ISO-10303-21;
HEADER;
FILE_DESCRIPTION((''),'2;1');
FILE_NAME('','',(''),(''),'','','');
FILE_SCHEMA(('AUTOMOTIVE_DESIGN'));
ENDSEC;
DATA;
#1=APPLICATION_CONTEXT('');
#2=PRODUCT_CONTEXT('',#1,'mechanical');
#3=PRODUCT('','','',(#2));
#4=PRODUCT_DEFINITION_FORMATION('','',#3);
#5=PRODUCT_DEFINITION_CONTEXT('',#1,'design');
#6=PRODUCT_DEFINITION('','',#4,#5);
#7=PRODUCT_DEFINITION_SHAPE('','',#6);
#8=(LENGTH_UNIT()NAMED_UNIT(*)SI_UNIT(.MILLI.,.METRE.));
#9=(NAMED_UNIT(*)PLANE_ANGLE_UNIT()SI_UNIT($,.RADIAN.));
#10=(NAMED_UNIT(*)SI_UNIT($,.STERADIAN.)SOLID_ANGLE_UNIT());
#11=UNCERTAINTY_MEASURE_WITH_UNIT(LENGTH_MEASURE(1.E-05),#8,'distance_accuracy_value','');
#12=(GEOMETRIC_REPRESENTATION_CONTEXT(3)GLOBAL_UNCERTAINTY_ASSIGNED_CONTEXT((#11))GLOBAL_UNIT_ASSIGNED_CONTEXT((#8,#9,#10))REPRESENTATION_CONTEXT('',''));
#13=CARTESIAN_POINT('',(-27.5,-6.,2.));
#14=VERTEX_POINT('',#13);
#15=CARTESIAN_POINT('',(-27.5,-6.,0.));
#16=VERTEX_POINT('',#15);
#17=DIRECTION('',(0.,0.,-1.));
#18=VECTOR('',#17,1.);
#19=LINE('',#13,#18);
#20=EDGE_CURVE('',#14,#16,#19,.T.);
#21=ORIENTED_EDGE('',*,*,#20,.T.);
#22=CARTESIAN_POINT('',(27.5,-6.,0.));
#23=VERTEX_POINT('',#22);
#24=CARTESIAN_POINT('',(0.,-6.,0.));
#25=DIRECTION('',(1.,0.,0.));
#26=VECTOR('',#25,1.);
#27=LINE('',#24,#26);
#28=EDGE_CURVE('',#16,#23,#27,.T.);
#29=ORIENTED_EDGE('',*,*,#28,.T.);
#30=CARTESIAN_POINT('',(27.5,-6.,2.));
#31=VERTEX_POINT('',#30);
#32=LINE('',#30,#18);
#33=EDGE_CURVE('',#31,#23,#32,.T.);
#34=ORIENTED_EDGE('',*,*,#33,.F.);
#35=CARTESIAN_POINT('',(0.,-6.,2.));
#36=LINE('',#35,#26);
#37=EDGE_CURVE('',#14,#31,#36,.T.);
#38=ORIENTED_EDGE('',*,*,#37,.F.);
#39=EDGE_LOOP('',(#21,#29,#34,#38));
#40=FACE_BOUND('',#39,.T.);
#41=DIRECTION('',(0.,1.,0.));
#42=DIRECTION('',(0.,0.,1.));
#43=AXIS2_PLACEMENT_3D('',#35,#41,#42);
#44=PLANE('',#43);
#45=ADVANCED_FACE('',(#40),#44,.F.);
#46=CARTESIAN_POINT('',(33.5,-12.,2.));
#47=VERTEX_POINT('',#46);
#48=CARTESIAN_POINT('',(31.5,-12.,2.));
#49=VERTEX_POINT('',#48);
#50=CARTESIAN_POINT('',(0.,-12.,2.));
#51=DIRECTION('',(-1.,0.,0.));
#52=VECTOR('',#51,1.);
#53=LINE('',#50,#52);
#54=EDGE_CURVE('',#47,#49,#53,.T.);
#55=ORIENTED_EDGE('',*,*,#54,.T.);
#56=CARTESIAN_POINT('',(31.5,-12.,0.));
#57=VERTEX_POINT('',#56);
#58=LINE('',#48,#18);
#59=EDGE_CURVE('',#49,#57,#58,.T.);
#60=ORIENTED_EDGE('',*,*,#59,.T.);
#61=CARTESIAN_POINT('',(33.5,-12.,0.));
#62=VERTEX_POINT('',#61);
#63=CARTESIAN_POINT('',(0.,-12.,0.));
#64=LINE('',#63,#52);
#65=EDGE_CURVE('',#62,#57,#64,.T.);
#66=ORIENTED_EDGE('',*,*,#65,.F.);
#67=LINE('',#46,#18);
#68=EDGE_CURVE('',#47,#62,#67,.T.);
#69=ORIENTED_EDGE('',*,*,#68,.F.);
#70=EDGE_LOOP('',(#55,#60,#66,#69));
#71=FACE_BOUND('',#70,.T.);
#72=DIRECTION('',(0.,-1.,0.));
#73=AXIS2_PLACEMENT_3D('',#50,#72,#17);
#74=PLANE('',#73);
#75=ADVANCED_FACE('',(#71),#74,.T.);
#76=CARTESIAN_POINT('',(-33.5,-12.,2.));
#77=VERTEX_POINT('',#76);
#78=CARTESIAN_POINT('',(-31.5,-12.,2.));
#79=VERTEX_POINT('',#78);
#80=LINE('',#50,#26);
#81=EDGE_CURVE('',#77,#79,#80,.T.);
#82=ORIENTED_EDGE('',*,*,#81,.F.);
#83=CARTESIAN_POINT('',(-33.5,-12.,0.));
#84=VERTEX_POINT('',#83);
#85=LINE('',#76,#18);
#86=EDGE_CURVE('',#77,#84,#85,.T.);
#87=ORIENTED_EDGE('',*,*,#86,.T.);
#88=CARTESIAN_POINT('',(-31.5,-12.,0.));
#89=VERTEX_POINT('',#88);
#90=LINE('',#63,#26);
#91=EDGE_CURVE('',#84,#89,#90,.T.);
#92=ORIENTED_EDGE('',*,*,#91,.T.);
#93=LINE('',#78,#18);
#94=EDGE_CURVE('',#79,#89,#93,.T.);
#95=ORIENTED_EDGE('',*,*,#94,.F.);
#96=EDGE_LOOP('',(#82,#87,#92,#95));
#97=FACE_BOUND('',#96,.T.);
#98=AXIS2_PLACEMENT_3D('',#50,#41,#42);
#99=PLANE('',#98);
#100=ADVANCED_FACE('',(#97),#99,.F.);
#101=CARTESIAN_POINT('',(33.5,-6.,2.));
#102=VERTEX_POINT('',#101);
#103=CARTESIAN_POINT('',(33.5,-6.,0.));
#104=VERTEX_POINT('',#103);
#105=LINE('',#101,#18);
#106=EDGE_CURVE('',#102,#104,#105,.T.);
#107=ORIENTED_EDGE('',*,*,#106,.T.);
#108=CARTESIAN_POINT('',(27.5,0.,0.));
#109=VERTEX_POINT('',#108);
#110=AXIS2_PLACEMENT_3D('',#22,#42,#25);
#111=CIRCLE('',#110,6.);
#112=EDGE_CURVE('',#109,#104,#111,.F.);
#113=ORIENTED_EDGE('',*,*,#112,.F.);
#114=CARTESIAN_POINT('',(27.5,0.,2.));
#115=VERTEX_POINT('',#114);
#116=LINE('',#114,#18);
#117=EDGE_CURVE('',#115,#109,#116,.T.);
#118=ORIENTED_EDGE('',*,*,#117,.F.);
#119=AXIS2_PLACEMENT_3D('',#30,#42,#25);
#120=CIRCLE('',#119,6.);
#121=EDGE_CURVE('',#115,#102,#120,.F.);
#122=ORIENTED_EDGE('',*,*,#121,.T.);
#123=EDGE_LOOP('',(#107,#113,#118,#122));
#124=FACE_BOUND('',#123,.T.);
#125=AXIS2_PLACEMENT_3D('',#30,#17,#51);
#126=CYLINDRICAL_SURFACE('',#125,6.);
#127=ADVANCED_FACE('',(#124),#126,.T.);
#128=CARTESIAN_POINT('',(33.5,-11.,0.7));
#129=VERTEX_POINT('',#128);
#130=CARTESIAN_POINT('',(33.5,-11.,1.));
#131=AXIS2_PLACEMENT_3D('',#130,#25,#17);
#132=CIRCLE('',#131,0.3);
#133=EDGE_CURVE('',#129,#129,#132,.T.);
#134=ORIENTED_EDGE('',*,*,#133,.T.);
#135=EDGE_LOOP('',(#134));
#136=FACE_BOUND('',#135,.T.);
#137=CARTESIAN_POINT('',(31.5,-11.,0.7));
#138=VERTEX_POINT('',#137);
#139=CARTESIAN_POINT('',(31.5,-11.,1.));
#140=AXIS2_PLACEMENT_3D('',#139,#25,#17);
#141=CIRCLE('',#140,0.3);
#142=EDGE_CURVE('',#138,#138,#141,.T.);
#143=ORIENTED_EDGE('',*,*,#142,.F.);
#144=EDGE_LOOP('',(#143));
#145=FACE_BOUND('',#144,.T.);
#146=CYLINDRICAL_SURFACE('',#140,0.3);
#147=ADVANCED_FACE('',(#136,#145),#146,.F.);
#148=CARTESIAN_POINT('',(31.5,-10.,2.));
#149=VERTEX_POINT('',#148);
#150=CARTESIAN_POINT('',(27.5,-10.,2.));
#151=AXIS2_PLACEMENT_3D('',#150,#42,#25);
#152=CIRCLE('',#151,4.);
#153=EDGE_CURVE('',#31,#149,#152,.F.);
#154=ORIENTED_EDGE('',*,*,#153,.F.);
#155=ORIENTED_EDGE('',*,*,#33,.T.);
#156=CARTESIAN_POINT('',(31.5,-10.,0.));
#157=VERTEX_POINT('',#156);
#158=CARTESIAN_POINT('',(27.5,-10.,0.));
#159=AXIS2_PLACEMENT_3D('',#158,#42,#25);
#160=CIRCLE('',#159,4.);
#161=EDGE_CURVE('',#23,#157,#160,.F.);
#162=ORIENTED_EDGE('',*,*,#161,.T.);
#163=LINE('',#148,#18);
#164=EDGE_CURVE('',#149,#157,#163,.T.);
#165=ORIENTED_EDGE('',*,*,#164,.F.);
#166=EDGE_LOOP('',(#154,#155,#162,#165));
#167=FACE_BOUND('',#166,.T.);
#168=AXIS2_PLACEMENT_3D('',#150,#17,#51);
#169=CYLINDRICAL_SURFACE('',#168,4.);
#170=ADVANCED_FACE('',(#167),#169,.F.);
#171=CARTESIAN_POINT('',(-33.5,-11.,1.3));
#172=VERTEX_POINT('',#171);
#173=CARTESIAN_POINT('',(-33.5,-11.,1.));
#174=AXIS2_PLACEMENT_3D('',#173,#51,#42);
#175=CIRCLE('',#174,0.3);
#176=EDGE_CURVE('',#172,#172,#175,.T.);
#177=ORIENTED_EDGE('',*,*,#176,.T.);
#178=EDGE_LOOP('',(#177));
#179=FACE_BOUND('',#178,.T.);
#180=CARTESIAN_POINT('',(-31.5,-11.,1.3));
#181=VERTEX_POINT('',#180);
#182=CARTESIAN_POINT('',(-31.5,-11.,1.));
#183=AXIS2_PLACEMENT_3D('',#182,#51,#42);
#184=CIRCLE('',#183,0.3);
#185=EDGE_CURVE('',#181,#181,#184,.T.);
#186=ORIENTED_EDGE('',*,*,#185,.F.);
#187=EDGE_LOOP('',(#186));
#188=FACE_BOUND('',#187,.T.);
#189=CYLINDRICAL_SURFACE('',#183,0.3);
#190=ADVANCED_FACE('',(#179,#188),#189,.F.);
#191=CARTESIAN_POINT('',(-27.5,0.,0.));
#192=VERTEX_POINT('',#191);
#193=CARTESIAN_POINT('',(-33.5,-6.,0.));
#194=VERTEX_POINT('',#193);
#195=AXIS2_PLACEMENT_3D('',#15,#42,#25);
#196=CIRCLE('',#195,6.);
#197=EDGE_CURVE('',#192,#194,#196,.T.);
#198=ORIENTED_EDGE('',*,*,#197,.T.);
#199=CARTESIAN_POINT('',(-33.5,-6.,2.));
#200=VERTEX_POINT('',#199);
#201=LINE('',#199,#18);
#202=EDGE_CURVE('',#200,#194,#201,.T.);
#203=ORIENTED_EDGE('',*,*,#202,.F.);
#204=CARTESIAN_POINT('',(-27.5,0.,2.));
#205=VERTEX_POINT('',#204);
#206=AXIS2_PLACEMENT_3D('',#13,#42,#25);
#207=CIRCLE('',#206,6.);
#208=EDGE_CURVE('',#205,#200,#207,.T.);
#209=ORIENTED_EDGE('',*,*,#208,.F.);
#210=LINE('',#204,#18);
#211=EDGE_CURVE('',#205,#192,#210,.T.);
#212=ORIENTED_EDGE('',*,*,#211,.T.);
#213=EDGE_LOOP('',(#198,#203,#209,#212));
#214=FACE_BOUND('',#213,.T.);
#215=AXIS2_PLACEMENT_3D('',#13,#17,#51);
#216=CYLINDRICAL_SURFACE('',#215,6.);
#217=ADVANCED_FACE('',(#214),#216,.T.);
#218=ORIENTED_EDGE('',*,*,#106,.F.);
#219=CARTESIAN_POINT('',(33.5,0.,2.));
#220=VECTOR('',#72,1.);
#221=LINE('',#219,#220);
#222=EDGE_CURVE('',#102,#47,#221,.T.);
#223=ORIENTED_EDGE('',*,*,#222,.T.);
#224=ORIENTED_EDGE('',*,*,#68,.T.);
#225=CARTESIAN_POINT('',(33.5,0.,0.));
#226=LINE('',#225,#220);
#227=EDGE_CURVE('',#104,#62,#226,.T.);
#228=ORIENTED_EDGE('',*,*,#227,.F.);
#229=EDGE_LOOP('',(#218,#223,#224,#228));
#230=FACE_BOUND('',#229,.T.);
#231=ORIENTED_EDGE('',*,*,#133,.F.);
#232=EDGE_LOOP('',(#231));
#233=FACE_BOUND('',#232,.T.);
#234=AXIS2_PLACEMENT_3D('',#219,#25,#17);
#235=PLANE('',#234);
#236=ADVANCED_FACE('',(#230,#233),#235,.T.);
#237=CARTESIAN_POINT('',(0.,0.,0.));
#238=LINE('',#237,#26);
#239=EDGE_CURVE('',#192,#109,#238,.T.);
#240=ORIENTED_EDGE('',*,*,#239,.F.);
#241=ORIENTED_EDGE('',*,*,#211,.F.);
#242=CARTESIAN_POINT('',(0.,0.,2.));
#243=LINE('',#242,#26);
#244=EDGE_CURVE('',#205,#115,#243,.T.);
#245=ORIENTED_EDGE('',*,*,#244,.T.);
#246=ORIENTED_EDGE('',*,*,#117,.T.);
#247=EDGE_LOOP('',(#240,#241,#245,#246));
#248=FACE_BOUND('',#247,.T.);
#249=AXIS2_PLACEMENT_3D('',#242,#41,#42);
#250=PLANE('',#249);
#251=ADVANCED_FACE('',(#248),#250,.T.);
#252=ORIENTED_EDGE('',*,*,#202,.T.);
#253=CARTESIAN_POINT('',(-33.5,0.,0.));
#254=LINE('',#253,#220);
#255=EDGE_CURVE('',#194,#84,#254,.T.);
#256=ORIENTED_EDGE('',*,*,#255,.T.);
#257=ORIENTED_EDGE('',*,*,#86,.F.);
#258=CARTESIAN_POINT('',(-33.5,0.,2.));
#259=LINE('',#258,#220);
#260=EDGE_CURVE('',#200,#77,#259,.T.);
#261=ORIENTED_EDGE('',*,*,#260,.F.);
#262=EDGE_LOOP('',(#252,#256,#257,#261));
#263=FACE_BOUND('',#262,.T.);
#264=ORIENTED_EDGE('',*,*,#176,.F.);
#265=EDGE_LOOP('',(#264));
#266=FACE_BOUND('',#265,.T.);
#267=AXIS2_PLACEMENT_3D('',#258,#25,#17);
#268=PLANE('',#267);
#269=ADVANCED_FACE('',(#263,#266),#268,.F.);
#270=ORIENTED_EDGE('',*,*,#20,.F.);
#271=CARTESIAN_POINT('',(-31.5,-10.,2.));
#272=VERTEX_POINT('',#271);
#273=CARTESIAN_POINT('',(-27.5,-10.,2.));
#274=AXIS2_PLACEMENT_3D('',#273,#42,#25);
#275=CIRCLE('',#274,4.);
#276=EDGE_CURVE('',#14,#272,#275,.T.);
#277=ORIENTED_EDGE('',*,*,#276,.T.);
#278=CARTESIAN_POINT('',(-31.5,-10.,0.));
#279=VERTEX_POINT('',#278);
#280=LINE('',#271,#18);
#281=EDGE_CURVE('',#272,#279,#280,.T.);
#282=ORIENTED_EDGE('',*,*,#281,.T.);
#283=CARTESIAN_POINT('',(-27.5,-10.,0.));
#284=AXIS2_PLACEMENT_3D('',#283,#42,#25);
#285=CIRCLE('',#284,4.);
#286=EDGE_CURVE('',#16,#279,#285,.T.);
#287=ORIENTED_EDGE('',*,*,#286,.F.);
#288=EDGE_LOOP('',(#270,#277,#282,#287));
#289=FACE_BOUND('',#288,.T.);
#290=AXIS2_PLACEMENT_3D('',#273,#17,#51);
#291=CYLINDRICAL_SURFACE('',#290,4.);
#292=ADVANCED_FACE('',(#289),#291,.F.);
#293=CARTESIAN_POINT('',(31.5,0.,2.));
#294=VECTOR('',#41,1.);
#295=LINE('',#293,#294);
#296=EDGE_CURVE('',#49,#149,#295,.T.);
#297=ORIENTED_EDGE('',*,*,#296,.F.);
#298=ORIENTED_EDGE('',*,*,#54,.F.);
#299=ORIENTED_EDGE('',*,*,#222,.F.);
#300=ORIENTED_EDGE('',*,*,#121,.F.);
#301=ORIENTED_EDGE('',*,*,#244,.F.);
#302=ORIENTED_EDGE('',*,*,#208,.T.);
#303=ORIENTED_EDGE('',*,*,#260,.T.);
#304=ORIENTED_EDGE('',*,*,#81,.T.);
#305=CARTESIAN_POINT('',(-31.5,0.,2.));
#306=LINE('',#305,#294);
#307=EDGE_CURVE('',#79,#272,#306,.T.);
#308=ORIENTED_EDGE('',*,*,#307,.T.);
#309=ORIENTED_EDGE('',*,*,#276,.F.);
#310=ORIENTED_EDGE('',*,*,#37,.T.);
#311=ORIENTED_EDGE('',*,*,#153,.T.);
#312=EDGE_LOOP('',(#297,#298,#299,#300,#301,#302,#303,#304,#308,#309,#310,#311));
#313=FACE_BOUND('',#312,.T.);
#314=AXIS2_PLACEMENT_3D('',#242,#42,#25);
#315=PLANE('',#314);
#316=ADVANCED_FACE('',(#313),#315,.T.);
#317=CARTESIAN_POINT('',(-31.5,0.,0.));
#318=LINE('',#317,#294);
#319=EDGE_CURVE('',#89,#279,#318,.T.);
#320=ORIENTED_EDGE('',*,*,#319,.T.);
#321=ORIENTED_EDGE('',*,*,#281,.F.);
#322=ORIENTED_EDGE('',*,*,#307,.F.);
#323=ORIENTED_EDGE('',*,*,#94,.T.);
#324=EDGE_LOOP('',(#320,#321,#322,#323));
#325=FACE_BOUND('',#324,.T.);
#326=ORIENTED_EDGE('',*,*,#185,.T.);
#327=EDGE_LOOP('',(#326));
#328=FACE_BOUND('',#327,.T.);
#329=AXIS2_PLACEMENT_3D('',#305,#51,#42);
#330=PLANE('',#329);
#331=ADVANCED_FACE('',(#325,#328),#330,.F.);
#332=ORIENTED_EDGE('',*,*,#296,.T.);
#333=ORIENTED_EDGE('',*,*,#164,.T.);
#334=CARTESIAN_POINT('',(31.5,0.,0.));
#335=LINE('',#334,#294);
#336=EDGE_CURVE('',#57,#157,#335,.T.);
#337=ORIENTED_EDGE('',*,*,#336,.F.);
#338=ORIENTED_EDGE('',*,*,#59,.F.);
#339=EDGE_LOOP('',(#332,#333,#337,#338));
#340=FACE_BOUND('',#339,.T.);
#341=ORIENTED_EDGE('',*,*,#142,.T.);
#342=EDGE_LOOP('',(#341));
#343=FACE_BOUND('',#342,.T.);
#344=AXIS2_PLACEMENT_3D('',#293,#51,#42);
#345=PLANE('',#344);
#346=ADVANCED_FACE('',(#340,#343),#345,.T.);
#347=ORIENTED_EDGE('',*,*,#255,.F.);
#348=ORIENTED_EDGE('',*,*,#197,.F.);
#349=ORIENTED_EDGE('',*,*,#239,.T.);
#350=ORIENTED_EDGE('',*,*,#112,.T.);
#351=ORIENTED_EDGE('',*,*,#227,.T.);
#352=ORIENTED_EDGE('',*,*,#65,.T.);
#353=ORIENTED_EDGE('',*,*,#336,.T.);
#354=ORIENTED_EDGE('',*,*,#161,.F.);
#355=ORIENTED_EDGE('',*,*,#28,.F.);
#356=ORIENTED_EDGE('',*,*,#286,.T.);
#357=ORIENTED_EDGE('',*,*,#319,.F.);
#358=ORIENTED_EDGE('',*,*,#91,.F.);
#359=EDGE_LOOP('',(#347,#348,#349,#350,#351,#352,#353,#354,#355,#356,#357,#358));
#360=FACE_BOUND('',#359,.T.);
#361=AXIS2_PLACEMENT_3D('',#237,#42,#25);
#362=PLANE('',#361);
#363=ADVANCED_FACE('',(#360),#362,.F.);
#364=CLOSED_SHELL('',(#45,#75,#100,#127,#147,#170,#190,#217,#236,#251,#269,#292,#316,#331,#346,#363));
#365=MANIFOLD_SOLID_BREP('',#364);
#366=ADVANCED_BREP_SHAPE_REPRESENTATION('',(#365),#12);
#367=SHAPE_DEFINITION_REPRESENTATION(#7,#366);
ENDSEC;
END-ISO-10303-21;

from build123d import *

# Parameters (mm, degrees)
BOSS_EXTRUDE8_DEPTH = 2
SKETCH4_R           = 0.3
CUT_EXTRUDE3_DEPTH  = 2
CUT_EXTRUDE4_START  = -2
SKETCH5_R           = 0.3
CUT_EXTRUDE4_DEPTH  = 2


with BuildPart() as part:
    # Sketch2 → Boss-Extrude8 (new body)
    with BuildSketch(Plane.XY):
        with BuildLine():
            Line((27.5, 0), (-27.5, 0))
            ThreePointArc((-27.5, 0), (-31.742640687, -1.757359313), (-33.5, -6))
            Line((-33.5, -6), (-33.5, -12))
            Line((-33.5, -12), (-31.5, -12))
            Line((-31.5, -12), (-31.5, -10))
            ThreePointArc((-31.5, -10), (-30.328427125, -7.171572875), (-27.5, -6))
            Line((-27.5, -6), (27.5, -6))
            ThreePointArc((27.5, -6), (30.328427125, -7.171572875), (31.5, -10))
            Line((31.5, -10), (31.5, -12))
            Line((31.5, -12), (33.5, -12))
            Line((33.5, -12), (33.5, -6))
            ThreePointArc((33.5, -6), (31.742640687, -1.757359313), (27.5, 0))
        make_face()
    extrude(amount=BOSS_EXTRUDE8_DEPTH)

    # Sketch4 → Cut-Extrude3 (cut)
    with BuildSketch(Plane(origin=(33.5, 0, 0), x_dir=(0, 0, -1), z_dir=(1, 0, 0))):
        with Locations((-1, -11)):
            Circle(SKETCH4_R)
    extrude(amount=-CUT_EXTRUDE3_DEPTH, mode=Mode.SUBTRACT)

    # Sketch5 → Cut-Extrude4 (cut)
    with BuildSketch(Plane.ZY.offset(33.5).offset(CUT_EXTRUDE4_START)):
        with Locations((1, -11)):
            Circle(SKETCH5_R)
    extrude(amount=CUT_EXTRUDE4_DEPTH, mode=Mode.SUBTRACT)


solid = part.part
